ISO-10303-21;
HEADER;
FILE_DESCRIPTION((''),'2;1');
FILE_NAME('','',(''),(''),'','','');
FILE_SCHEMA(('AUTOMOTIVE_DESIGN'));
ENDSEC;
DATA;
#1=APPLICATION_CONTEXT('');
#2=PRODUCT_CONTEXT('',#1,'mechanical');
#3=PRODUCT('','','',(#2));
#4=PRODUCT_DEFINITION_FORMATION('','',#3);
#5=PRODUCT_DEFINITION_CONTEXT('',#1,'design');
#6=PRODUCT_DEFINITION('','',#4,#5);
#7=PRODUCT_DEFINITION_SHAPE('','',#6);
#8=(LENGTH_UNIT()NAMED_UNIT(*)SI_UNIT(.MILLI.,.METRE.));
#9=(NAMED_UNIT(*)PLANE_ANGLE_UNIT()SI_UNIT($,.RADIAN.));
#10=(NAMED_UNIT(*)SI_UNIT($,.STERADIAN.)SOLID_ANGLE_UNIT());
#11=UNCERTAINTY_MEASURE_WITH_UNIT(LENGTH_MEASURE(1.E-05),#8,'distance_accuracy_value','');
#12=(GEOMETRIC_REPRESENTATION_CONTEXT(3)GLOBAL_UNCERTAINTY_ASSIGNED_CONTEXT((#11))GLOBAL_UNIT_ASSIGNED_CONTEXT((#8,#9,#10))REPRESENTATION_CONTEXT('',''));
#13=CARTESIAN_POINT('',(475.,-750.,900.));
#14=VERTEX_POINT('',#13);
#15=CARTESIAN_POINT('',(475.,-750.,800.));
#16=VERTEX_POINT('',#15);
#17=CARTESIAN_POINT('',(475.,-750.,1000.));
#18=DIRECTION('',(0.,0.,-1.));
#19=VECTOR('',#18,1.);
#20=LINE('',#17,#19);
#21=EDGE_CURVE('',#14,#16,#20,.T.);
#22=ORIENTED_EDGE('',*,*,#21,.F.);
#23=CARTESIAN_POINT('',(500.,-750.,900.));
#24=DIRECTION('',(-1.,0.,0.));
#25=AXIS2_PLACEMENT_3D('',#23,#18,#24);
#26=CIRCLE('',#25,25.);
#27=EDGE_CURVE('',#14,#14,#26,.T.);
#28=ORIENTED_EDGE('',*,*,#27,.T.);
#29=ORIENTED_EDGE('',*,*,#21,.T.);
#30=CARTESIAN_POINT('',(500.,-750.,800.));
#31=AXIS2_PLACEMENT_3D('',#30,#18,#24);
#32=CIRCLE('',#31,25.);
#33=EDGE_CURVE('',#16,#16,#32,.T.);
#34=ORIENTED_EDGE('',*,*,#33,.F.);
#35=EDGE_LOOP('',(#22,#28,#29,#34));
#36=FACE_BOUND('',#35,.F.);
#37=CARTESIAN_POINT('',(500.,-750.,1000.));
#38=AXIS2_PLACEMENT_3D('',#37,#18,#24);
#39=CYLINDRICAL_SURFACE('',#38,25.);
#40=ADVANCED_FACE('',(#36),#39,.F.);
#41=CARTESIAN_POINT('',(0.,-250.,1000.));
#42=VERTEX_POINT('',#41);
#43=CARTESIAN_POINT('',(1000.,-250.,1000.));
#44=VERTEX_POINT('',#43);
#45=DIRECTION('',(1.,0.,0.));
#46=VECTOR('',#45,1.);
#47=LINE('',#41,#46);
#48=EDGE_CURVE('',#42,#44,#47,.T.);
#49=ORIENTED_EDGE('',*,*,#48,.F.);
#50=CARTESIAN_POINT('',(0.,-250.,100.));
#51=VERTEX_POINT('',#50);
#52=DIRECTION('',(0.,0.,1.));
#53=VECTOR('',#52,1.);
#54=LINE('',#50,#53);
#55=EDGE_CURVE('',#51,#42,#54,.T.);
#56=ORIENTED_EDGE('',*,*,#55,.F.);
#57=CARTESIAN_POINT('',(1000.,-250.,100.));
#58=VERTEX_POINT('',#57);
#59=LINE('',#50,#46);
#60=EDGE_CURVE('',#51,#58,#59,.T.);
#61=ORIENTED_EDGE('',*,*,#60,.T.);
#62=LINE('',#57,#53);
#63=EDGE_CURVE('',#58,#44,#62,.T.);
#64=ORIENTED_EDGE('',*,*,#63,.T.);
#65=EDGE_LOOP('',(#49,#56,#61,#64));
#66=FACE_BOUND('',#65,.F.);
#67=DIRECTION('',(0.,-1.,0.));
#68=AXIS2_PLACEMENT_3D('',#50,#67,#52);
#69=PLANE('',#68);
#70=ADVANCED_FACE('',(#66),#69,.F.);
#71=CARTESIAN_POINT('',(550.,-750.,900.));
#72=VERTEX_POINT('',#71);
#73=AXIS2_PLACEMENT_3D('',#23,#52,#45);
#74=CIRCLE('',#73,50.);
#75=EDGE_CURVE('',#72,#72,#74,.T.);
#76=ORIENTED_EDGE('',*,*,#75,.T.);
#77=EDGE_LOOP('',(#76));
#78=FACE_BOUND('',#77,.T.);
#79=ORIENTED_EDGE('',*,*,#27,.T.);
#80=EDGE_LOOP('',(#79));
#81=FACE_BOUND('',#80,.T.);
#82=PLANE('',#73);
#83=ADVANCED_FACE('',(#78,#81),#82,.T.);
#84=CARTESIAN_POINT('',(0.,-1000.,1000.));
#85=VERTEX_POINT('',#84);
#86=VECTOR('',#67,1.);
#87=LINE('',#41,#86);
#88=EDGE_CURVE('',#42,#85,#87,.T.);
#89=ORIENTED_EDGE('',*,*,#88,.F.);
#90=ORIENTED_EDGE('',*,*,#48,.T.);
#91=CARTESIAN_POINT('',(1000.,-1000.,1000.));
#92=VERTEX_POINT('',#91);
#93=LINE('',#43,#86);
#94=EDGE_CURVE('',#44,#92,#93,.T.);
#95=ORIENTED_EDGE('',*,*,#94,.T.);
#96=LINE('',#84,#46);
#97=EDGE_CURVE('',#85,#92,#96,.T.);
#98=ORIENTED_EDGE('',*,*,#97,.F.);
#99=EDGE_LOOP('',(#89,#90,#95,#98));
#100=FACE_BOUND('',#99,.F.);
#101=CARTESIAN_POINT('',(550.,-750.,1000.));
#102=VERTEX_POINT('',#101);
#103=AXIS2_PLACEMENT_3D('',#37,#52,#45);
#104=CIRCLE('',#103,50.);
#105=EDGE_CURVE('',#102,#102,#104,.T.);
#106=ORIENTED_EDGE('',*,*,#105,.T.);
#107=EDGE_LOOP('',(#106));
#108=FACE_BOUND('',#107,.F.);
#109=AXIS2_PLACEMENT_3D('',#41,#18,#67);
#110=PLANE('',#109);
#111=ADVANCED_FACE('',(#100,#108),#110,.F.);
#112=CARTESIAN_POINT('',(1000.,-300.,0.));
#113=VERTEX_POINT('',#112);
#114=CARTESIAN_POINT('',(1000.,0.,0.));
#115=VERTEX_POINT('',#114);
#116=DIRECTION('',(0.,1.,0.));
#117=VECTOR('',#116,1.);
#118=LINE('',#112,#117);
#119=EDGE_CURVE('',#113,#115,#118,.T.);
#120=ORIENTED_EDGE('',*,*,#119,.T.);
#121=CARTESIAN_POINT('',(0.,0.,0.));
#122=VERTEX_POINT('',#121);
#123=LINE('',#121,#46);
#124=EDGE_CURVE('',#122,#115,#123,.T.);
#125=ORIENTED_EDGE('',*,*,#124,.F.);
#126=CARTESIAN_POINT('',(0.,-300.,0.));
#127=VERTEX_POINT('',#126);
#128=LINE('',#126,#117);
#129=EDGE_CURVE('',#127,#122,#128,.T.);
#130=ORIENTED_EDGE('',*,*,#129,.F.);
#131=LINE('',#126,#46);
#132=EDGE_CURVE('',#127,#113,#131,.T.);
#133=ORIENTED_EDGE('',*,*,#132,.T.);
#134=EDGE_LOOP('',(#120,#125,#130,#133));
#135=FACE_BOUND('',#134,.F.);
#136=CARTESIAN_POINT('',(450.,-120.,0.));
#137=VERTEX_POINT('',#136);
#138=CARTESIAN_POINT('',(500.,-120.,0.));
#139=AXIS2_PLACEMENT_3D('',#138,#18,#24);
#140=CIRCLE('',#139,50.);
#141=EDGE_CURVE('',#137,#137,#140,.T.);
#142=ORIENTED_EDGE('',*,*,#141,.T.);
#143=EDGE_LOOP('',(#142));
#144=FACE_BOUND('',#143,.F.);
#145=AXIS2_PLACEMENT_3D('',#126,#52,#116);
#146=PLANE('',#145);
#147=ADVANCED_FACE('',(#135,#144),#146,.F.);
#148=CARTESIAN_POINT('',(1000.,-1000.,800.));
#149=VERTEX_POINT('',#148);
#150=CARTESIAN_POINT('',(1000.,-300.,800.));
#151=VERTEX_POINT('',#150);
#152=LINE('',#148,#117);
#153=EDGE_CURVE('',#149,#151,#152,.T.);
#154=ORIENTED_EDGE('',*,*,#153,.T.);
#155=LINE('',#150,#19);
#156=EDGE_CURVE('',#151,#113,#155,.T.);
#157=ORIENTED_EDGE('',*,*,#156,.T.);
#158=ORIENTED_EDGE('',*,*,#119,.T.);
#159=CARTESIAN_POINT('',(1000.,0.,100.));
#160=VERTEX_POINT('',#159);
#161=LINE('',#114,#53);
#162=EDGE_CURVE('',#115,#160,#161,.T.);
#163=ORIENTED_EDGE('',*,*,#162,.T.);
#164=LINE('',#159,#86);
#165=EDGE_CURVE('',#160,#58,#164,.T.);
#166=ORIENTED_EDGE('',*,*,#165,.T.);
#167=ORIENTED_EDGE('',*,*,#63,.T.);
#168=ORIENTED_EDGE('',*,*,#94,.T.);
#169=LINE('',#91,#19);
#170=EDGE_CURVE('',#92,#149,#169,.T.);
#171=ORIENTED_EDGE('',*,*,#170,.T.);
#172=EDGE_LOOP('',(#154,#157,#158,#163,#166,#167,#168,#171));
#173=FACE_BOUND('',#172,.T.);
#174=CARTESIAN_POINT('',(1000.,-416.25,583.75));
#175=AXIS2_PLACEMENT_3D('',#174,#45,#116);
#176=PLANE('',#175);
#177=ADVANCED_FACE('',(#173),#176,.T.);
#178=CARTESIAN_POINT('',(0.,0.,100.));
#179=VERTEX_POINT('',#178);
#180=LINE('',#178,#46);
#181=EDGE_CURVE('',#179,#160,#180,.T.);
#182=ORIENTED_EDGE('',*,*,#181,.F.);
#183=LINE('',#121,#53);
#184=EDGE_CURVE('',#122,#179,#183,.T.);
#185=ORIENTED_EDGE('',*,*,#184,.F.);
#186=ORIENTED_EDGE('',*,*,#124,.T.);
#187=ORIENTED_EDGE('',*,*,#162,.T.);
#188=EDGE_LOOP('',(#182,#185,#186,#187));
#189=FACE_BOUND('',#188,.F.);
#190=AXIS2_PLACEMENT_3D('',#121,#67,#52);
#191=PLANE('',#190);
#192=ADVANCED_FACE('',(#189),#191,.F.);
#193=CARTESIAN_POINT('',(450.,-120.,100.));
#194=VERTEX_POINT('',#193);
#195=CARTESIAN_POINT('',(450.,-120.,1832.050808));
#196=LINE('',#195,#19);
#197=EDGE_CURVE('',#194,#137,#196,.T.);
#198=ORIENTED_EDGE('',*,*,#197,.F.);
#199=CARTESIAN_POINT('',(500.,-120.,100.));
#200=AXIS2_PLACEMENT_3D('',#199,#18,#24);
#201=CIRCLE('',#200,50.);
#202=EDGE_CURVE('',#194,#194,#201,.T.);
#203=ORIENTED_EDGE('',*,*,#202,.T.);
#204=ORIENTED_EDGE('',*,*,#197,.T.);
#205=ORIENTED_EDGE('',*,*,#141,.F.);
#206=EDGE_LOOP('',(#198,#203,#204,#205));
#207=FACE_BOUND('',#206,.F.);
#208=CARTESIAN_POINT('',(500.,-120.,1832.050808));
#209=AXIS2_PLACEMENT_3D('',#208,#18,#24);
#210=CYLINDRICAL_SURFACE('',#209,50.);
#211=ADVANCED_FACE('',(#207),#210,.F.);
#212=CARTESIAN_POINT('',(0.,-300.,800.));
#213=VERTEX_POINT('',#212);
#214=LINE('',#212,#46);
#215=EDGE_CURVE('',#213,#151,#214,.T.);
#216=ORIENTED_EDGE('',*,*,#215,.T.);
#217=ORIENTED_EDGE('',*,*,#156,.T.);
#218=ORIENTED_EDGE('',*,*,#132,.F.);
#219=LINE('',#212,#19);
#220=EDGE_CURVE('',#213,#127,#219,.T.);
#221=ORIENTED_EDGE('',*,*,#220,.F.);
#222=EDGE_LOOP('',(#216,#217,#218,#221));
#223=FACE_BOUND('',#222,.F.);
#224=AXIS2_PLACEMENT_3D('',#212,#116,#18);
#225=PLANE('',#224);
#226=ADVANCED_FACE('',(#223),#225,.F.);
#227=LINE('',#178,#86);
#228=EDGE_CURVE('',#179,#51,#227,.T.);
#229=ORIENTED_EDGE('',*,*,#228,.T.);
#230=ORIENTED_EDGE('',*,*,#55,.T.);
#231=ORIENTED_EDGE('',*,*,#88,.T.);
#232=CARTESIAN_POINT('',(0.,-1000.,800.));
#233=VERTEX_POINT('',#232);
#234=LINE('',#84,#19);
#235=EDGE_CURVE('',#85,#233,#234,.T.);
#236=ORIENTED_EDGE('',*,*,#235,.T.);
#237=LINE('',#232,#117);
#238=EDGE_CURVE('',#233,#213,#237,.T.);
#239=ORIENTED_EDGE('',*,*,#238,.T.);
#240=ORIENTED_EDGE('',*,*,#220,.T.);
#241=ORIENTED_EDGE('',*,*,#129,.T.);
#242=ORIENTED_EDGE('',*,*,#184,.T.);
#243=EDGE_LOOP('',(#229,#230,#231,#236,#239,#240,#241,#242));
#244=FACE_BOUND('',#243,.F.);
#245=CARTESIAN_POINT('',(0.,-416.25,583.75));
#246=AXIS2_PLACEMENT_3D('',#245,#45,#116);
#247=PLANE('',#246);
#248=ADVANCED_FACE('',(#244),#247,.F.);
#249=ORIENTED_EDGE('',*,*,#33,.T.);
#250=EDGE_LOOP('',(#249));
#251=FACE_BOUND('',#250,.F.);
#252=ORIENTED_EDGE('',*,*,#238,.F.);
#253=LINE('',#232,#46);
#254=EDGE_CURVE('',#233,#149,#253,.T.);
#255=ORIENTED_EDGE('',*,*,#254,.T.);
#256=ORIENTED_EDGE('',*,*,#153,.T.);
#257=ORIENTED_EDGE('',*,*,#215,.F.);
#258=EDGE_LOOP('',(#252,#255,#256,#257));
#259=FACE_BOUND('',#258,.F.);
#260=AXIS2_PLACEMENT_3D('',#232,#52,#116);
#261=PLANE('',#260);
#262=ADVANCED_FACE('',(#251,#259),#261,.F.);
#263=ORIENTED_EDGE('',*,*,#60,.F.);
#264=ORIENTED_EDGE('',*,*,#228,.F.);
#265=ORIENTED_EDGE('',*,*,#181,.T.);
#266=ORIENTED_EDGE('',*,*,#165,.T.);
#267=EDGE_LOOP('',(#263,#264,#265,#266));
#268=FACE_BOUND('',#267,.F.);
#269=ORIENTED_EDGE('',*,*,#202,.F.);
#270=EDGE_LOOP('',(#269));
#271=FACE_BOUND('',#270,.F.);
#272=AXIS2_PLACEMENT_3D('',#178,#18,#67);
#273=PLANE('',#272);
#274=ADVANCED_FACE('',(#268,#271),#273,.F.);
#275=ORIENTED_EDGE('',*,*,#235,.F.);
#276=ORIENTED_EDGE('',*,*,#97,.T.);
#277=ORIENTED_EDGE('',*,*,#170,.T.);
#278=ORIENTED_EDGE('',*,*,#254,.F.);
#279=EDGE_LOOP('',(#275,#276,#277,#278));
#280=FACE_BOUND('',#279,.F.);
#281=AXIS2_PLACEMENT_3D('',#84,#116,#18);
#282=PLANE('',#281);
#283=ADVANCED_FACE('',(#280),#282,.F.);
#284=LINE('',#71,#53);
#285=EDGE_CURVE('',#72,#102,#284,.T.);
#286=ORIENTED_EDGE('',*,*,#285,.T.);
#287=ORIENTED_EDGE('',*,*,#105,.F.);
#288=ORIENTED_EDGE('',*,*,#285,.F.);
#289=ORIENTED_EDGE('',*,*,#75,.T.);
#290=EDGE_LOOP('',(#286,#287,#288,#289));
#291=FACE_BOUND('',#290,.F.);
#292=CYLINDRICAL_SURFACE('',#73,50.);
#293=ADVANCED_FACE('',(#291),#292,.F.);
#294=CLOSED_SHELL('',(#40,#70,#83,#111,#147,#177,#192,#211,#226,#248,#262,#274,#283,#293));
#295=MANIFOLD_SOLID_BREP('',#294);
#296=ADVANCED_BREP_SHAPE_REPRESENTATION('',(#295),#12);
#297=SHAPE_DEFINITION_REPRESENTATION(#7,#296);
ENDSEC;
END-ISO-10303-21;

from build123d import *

# Parameters (mm, degrees)
F1_DEPTH       = 1000
F3_D           = 100
F5_D           = 50
F5_CBORE_D     = 100
F5_CBORE_DEPTH = 100


with BuildPart() as f1:
    # F0 (on Right) → F1 (new body)
    with BuildSketch(Plane.YZ):
        Polygon((-300, 0), (0, 0), (0, 100), (-250, 100), (-250, 1000), (-1000, 1000), (-1000, 800), (-300, 800), align=None)
    extrude(amount=F1_DEPTH)

    # F3 (through all)
    with Locations(Plane.XY.offset(100)):
        with Locations((500, -120)):
            Hole(F3_D / 2)

    # F5 (through all)
    with Locations(Plane.XY.offset(1000)):
        with Locations((500, -750)):
            CounterBoreHole(F5_D / 2, F5_CBORE_D / 2, F5_CBORE_DEPTH)


solid = f1.part
